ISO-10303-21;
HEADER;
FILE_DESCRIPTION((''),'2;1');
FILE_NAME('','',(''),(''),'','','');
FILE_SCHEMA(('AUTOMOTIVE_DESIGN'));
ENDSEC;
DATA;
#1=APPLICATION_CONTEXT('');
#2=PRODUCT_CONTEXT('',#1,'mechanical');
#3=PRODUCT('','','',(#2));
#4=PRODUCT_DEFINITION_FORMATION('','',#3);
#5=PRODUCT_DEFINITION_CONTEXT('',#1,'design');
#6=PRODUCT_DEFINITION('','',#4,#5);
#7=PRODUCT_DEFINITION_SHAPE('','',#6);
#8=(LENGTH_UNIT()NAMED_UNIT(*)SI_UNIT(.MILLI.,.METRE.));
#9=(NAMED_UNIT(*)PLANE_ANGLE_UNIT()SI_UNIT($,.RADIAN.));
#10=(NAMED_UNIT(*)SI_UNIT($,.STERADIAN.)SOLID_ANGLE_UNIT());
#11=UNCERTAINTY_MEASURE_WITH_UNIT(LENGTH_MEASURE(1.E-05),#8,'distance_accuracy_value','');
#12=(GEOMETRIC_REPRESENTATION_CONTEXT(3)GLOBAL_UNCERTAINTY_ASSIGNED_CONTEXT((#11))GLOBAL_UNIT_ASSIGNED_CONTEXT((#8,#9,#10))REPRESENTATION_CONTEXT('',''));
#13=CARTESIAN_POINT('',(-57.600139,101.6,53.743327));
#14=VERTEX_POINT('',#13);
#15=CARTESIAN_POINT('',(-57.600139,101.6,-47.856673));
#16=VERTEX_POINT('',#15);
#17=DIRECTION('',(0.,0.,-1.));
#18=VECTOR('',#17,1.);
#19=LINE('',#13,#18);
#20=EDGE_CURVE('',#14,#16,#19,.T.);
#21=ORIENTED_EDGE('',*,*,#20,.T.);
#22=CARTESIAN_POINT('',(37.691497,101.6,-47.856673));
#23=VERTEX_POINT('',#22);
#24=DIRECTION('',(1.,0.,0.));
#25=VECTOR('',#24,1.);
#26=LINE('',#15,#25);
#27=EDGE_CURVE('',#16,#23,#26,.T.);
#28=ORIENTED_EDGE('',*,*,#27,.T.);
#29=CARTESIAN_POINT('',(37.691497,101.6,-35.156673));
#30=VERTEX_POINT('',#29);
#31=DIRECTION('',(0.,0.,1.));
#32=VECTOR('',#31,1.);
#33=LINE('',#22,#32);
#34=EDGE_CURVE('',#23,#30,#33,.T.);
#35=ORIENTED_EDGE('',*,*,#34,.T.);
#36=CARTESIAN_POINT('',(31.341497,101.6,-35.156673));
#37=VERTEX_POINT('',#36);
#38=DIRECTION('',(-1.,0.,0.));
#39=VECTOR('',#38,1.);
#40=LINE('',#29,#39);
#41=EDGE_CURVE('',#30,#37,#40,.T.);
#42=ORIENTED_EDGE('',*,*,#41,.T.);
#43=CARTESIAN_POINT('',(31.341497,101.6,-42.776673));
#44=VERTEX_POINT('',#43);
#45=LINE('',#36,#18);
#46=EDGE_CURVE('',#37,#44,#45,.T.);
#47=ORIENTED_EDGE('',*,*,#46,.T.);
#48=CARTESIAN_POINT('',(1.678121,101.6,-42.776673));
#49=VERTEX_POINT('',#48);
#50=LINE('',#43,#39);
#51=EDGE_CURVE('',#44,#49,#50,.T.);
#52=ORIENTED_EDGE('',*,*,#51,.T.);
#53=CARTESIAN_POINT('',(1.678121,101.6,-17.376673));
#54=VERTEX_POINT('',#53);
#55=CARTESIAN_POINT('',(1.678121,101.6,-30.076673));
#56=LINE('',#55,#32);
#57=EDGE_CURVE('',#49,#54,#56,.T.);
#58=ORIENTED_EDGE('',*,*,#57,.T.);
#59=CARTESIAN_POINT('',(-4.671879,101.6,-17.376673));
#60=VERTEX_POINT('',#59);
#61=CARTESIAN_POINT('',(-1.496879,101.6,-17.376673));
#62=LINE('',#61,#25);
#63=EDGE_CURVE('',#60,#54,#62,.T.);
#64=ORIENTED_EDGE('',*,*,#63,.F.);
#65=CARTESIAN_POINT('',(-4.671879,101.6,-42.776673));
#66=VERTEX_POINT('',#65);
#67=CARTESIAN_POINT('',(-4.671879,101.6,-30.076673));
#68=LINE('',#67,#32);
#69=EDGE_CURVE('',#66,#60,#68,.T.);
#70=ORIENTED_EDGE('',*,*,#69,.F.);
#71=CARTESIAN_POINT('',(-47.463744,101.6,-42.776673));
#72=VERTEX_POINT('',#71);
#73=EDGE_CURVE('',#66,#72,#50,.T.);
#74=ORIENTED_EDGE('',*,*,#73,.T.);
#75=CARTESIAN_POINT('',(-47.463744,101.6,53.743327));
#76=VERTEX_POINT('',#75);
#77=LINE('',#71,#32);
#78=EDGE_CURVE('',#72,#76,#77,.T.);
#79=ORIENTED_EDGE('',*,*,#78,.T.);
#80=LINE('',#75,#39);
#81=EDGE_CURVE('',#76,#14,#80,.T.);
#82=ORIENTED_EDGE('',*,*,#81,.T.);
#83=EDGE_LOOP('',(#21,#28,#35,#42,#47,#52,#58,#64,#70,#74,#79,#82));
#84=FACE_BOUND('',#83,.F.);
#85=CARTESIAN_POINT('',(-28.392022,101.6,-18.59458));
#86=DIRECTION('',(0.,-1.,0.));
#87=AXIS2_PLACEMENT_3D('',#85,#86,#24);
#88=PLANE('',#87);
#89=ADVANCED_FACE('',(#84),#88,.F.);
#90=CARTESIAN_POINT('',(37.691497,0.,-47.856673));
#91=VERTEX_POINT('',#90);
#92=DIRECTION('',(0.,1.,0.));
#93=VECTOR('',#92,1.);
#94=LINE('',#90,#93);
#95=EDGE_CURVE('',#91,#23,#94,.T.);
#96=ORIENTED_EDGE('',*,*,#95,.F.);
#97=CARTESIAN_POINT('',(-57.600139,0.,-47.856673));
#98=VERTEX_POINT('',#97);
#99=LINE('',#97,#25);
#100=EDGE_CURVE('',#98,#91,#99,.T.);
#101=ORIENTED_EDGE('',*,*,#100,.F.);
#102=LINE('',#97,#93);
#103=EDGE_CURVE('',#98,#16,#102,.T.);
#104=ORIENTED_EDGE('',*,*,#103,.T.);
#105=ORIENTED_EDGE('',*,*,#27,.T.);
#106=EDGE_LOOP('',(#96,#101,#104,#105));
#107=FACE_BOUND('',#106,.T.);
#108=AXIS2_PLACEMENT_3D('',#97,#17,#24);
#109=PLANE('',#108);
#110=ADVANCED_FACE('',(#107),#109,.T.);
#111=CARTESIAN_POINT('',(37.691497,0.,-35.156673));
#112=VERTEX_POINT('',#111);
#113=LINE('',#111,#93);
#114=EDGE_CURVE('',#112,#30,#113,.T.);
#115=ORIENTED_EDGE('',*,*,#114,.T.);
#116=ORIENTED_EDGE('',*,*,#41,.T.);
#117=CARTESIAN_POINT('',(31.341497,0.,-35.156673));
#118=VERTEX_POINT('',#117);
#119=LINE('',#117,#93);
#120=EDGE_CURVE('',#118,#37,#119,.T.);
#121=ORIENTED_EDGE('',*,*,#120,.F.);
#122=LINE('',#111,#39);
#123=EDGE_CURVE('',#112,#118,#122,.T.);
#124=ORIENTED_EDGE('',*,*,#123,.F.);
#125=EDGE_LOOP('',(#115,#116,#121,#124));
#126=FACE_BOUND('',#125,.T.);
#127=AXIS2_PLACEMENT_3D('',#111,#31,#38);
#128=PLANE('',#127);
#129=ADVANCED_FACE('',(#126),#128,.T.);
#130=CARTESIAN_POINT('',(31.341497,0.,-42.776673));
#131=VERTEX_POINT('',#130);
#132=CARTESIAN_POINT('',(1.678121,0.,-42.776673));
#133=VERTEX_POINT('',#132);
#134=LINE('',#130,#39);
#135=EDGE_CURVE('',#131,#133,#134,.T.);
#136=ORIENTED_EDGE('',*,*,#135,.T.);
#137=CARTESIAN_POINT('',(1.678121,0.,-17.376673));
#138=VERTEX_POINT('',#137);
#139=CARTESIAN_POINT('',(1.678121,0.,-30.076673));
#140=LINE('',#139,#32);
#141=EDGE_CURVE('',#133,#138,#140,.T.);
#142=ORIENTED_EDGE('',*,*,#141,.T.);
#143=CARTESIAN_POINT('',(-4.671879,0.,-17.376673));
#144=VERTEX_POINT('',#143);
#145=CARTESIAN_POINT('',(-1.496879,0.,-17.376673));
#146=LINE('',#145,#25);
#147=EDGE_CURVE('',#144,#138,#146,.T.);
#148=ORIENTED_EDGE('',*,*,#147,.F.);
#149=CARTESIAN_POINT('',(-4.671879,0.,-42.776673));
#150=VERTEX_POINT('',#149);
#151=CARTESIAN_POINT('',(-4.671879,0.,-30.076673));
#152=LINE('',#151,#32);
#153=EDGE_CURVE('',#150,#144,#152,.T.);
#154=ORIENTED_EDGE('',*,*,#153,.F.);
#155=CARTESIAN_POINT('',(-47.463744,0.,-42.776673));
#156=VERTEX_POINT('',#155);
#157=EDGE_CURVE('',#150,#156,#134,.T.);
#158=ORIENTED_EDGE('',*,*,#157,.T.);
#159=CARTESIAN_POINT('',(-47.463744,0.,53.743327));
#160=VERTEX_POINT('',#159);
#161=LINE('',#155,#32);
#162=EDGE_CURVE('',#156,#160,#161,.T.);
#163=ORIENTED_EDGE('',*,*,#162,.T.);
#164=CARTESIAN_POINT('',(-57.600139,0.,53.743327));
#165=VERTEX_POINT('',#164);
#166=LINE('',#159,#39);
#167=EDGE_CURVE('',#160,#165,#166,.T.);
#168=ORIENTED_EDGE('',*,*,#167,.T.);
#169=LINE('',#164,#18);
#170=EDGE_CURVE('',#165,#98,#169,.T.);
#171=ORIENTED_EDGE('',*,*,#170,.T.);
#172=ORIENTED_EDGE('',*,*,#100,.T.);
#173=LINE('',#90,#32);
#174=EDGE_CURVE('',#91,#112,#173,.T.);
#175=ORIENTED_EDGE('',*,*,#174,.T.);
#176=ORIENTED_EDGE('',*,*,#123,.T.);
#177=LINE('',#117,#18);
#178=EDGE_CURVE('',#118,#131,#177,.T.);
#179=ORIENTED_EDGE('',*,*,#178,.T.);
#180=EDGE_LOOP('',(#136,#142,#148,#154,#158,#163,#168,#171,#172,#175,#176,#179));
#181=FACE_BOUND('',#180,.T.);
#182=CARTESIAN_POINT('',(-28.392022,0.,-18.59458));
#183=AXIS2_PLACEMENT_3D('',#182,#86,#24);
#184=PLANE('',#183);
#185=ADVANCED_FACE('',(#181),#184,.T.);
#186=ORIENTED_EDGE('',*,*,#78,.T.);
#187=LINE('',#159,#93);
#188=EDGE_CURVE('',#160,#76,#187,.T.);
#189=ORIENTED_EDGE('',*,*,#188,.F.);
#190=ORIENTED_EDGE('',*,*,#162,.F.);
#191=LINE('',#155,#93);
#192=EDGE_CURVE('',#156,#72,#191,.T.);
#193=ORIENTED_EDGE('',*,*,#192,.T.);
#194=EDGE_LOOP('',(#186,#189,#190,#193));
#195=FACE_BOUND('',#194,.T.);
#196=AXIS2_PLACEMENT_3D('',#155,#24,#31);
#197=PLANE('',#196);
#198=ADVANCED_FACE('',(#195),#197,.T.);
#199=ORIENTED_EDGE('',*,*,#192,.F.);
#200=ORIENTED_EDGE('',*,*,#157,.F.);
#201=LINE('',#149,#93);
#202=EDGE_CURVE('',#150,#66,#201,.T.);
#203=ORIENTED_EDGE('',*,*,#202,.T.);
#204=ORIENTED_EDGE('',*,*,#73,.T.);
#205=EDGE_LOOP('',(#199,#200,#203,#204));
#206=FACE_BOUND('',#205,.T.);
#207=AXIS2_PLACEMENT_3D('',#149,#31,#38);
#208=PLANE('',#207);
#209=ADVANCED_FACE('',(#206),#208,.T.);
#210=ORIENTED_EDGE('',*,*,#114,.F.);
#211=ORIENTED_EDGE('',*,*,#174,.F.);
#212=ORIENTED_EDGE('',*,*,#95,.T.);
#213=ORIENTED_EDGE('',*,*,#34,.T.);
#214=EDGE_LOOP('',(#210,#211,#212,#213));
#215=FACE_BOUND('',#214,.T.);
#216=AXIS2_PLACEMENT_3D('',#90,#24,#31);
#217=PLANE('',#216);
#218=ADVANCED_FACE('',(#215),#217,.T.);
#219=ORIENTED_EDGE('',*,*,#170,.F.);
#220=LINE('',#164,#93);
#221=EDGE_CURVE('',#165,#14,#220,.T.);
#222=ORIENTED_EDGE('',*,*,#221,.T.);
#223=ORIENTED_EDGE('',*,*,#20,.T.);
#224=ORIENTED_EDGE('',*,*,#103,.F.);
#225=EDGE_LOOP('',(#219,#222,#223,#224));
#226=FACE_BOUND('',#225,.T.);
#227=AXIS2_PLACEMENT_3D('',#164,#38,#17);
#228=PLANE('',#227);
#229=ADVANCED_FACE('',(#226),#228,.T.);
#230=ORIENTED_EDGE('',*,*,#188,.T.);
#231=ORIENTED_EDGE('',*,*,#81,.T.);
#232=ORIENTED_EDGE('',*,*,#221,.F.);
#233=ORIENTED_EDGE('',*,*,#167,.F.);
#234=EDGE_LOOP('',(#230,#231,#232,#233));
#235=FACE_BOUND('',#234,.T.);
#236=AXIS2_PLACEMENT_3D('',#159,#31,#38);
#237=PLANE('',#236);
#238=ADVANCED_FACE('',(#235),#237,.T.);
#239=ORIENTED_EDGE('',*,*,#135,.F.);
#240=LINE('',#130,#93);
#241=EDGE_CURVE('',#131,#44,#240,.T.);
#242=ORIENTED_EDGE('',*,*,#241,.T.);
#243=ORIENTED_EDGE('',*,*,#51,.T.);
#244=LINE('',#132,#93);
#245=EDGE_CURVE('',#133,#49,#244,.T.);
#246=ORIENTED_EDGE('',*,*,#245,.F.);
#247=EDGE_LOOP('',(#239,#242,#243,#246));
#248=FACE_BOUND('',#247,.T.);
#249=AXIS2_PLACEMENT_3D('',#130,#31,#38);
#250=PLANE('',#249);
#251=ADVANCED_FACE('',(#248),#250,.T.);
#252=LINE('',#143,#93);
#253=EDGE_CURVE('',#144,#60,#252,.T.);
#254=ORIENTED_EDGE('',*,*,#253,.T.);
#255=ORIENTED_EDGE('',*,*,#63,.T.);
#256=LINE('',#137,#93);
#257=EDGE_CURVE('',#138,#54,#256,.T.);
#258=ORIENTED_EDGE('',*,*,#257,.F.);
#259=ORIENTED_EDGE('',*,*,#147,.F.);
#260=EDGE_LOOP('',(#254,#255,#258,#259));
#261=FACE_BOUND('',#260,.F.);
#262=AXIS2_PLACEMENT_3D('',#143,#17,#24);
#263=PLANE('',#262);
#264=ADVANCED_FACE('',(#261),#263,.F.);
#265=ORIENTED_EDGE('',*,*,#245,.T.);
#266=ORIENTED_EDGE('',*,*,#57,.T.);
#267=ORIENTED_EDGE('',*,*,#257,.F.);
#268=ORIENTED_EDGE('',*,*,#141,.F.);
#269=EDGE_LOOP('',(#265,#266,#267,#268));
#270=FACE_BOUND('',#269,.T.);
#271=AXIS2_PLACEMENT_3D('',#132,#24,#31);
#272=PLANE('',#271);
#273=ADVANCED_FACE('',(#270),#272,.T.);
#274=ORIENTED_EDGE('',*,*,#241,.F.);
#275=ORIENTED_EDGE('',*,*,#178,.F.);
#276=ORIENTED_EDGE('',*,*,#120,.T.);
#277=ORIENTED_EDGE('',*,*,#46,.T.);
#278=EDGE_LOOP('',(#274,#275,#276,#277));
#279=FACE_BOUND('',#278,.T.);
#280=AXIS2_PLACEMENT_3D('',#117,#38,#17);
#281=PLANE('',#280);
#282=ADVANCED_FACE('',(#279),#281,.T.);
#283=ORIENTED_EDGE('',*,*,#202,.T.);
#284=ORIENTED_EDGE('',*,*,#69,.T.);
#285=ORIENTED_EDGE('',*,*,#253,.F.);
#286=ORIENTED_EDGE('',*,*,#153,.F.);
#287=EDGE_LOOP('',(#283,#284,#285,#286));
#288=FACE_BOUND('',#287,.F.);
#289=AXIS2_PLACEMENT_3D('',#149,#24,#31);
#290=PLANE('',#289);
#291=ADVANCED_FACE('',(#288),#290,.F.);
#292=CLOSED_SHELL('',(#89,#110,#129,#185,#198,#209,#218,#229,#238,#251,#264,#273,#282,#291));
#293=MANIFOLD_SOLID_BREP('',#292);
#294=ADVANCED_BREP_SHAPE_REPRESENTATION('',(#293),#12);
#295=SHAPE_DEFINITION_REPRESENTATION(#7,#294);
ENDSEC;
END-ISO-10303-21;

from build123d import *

# Parameters (mm, degrees)
F0_W     = 6.35
F0_H     = 25.4
F1_DEPTH = 101.6


with BuildPart() as f1:
    # F0 (on Front) → F1 (new body)
    with BuildSketch(Plane.XZ):
        Polygon((-47.463744, 53.743327), (-57.600139, 53.743327), (-57.600139, -47.856673), (37.691497, -47.856673), (37.691497, -35.156673), (31.341497, -35.156673), (31.341497, -42.776673), (1.678121, -42.776673), (-4.671879, -42.776673), (-47.463744, -42.776673), align=None)
        with Locations((-1.496879, -30.076673)):
            Rectangle(F0_W, F0_H)
    extrude(amount=-F1_DEPTH)


solid = f1.part
